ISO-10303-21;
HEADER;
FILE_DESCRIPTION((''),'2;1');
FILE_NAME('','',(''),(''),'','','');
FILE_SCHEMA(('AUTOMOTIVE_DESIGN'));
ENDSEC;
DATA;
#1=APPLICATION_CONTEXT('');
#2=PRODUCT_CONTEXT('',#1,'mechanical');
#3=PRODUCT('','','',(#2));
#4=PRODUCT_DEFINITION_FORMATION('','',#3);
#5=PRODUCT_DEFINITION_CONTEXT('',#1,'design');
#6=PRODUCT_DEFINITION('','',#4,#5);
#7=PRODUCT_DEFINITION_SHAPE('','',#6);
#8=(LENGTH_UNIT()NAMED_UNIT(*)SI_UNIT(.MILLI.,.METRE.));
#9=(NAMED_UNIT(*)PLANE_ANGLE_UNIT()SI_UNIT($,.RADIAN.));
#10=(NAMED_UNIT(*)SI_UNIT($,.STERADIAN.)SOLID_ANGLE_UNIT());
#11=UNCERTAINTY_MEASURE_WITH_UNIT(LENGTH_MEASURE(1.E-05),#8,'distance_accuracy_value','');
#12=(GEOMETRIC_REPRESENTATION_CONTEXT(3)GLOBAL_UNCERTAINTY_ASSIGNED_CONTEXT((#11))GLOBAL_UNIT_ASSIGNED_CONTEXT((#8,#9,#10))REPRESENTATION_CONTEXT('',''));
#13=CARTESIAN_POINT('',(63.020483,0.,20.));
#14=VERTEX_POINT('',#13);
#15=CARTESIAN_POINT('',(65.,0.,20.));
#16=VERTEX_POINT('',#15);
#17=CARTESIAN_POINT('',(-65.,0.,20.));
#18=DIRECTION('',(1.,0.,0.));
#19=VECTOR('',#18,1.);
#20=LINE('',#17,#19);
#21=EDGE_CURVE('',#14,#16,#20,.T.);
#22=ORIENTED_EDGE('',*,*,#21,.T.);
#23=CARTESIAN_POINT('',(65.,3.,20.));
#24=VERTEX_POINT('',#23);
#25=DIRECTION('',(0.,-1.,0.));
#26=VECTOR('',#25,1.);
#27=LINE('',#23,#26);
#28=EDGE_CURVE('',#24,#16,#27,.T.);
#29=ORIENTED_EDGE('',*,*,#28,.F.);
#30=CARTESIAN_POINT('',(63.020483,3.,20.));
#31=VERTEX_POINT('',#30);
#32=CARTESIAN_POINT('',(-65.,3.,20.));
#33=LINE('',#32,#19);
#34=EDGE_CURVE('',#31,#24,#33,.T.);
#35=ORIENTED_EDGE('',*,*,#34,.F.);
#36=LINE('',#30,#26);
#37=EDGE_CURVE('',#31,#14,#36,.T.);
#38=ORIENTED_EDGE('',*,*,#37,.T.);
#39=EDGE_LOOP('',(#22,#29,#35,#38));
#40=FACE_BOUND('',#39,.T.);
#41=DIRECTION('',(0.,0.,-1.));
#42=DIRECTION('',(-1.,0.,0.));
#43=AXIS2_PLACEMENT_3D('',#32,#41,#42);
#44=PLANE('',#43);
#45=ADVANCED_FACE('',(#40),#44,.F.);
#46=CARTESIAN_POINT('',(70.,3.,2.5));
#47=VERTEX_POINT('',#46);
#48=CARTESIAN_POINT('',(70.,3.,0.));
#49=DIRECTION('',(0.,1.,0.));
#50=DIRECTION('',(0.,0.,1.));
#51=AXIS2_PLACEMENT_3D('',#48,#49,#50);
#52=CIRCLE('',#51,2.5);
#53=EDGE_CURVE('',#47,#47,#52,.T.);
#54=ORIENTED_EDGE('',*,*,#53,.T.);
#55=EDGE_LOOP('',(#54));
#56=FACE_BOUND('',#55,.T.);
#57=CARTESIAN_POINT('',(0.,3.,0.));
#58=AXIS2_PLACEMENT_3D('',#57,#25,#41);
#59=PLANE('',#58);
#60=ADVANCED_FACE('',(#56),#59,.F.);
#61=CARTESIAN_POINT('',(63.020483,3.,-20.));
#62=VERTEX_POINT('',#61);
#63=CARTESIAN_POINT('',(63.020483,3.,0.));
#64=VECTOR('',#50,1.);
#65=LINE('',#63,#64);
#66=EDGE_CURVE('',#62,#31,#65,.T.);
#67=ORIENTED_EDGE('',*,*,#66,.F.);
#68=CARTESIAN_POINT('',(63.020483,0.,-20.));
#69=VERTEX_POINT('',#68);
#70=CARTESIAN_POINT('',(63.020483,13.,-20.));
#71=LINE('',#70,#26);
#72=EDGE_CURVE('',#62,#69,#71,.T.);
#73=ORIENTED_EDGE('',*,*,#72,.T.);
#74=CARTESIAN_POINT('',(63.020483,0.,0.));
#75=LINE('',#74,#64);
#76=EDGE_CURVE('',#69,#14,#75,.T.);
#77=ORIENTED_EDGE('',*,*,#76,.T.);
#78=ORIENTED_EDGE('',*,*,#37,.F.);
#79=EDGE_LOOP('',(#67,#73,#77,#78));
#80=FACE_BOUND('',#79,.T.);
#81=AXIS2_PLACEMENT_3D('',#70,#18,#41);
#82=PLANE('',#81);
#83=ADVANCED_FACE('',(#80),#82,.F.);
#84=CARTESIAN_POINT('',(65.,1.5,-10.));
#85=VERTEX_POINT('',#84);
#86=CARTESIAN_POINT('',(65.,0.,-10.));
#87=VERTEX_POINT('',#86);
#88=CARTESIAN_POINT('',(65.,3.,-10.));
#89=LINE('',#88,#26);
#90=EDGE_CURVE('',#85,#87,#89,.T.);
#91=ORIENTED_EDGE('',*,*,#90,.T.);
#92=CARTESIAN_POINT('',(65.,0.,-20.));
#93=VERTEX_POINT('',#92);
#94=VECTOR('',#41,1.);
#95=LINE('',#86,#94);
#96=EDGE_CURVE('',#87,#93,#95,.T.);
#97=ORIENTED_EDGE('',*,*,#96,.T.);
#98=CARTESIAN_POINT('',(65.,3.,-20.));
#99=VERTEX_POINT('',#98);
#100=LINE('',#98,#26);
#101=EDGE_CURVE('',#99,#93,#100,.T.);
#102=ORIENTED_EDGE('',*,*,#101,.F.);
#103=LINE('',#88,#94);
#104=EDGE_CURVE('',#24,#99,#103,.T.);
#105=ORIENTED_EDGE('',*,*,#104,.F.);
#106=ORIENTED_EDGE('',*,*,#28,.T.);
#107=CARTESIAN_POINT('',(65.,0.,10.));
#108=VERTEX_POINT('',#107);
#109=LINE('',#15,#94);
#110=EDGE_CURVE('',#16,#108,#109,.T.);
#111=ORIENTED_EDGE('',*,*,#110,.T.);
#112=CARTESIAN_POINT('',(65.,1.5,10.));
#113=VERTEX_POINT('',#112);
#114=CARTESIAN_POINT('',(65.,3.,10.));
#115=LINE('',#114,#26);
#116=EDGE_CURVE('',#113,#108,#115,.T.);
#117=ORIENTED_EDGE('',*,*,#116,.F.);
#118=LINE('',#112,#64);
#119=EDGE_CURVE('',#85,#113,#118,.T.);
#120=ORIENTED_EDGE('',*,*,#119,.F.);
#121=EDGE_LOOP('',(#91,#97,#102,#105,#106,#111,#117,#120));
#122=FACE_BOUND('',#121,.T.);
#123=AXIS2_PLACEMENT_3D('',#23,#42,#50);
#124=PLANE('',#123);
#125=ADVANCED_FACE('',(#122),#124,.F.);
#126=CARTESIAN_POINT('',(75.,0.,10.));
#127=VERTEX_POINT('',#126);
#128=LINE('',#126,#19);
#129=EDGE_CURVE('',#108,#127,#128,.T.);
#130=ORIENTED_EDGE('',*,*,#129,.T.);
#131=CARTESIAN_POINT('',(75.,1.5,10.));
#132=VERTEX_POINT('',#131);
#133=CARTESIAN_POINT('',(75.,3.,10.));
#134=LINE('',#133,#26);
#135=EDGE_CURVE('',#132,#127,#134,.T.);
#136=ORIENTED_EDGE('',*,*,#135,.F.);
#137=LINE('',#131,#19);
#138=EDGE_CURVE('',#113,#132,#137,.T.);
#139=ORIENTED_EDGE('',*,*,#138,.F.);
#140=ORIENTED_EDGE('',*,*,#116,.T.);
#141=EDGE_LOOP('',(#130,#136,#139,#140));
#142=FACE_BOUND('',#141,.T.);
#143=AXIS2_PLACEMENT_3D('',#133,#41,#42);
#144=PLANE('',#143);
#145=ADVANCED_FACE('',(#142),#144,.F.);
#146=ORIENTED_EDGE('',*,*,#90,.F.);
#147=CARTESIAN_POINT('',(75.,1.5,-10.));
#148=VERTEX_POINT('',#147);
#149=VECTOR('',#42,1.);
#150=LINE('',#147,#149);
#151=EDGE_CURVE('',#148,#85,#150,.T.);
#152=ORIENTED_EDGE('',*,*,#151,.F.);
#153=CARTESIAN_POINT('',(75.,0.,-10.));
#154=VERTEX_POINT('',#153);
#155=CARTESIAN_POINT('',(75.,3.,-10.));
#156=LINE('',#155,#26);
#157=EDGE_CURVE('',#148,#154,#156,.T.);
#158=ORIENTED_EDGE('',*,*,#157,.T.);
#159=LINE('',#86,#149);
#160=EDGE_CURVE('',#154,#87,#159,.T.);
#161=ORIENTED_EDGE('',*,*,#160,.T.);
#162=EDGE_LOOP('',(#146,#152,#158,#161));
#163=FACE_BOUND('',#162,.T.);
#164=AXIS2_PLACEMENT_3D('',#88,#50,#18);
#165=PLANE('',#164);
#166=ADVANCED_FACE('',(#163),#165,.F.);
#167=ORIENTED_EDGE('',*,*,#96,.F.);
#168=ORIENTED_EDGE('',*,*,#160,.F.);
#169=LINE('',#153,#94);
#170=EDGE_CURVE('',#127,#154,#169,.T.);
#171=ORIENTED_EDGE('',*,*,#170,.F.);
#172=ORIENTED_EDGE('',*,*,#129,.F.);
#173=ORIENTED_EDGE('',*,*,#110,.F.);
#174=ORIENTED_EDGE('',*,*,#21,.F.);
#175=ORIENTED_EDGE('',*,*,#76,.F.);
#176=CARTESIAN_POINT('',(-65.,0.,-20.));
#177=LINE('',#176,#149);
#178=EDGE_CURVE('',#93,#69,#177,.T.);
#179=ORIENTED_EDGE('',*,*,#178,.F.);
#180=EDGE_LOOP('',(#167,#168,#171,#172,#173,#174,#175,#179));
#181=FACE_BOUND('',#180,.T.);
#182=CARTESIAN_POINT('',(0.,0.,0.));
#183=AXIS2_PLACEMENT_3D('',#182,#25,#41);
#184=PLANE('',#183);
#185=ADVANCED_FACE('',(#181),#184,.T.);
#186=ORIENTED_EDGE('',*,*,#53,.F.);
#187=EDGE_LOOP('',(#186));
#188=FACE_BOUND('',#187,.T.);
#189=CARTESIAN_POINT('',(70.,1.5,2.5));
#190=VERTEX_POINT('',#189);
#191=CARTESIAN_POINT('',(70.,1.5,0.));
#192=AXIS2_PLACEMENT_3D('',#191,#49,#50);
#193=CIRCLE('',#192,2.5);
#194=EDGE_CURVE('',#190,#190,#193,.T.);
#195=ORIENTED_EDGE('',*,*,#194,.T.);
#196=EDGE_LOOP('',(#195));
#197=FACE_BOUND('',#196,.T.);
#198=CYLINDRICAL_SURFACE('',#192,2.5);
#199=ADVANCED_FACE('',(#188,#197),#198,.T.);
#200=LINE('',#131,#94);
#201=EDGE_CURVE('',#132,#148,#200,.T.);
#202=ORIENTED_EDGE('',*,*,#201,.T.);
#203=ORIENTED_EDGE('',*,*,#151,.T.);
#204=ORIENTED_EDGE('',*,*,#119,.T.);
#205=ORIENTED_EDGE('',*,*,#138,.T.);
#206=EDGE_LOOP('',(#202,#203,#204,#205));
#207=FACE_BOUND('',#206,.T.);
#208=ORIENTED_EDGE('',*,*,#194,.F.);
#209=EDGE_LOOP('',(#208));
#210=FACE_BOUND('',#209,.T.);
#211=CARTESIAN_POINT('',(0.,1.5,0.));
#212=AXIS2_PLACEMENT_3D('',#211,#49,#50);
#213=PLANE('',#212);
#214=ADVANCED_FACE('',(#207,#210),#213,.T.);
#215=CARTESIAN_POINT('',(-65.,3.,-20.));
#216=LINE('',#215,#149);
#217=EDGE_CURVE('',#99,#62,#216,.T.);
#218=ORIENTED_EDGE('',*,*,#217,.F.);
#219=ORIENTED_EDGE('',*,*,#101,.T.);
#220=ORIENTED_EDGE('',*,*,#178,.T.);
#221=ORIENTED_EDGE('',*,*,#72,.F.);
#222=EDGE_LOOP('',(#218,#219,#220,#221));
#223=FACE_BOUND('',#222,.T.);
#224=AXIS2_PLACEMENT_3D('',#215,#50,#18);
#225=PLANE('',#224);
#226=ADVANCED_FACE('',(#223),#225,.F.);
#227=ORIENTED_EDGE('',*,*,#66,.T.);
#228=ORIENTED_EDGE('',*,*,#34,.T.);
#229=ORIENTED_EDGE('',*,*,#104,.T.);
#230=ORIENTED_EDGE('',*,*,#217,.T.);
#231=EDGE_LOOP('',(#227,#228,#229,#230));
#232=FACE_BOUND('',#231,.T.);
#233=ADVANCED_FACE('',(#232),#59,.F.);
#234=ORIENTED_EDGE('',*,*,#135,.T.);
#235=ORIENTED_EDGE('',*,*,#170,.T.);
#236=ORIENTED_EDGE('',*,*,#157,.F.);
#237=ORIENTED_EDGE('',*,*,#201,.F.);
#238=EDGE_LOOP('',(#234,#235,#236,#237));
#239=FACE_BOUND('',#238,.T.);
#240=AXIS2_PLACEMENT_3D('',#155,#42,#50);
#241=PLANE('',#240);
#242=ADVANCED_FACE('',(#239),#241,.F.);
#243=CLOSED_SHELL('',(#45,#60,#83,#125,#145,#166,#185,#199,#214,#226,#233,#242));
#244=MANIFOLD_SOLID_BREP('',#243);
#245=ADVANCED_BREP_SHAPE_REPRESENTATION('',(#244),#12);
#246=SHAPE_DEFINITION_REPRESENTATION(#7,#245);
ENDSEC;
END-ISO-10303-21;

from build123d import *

# Parameters (mm, degrees)
CROQUIS1_R                 = 11
CROQUIS1_R_2               = 2
CROQUIS1_W                 = 30
CROQUIS1_H                 = 3
SALIENTE_EXTRUIR1_DEPTH    = 3
CROQUIS2_R                 = 13
CROQUIS2_R_2               = 11
SALIENTE_EXTRUIR2_DEPTH    = 4
CROQUIS3_R                 = 13
CROQUIS3_R_2               = 9
SALIENTE_EXTRUIR3_DEPTH    = 2
CHAFL_N1_SIZE              = 2
CHAFL_N2_SIZE              = 10
CROQUIS6_W                 = 10
CROQUIS6_H                 = 20
CROQUIS6_R                 = 2.5
CORTAR_EXTRUIR2_DEPTH      = 1.5
CORTAR_EXTRUIR3_DEPTH      = 10
CORTAR_EXTRUIR3_DEPTH_BACK = 10
CROQUIS7_OUTSIDE_W         = 171.176
CROQUIS7_OUTSIDE_H         = 71.176
CROQUIS7_OUTSIDE_W_2       = 13.478659513
CROQUIS7_OUTSIDE_H_2       = 41.596343219


with BuildPart() as part:
    # Croquis1 → Saliente-Extruir1 (new body)
    with BuildSketch(Plane(origin=(0, 0, 0), x_dir=(1, 0, 0), z_dir=(0, 1, 0))):
        Polygon((-65, -20), (65, -20), (65, -10), (75, -10), (75, 10), (65, 10), (65, 20), (-65, 20), align=None)
        with Locations((-50.129942902, 0)):
            Circle(CROQUIS1_R, mode=Mode.SUBTRACT)
        with Locations((-28.595127909, 0)):
            Circle(CROQUIS1_R_2, mode=Mode.SUBTRACT)
        with Locations((-13.595127909, 0)):
            Circle(CROQUIS1_R_2, mode=Mode.SUBTRACT)
        with Locations((50, 0)):
            Circle(CROQUIS1_R_2, mode=Mode.SUBTRACT)
        with Locations((25, 11)):
            Rectangle(CROQUIS1_W, CROQUIS1_H, mode=Mode.SUBTRACT)
        with Locations((25, -11)):
            Rectangle(CROQUIS1_W, CROQUIS1_H, mode=Mode.SUBTRACT)
    extrude(amount=SALIENTE_EXTRUIR1_DEPTH)

    # Croquis2 → Saliente-Extruir2 (add)
    with BuildSketch(Plane(origin=(0, 3, 0), x_dir=(1, 0, 0), z_dir=(0, 1, 0))):
        with Locations((-50.129942902, 0)):
            Circle(CROQUIS2_R)
        with Locations((-50.129942902, 0)):
            Circle(CROQUIS2_R_2, mode=Mode.SUBTRACT)
    extrude(amount=SALIENTE_EXTRUIR2_DEPTH)

    # Croquis3 → Saliente-Extruir3 (add)
    with BuildSketch(Plane(origin=(0, 7, 0), x_dir=(1, 0, 0), z_dir=(0, 1, 0))):
        with Locations((-50.129942902, 0)):
            Circle(CROQUIS3_R)
        with Locations((-50.129942902, 0)):
            Circle(CROQUIS3_R_2, mode=Mode.SUBTRACT)
    extrude(amount=SALIENTE_EXTRUIR3_DEPTH)

    # Chaflán1
    chafl_n1_edges = [part.edges().sort_by_distance(p)[0] for p in [
        (-63.129942902, 9, 0),
    ]]
    chamfer(chafl_n1_edges, length=CHAFL_N1_SIZE)

    # Chaflán2
    chafl_n2_edges = [part.edges().sort_by_distance(p)[0] for p in [
        (-65, 1.5, 20),
        (-65, 1.5, -20),
    ]]
    chamfer(chafl_n2_edges, length=CHAFL_N2_SIZE)

    # Croquis6 → Cortar-Extruir2 (cut)
    with BuildSketch(Plane(origin=(0, 3, 0), x_dir=(1, 0, 0), z_dir=(0, 1, 0))):
        with Locations((70, 0)):
            Rectangle(CROQUIS6_W, CROQUIS6_H)
        with Locations((70, 0)):
            Circle(CROQUIS6_R, mode=Mode.SUBTRACT)
    extrude(amount=-CORTAR_EXTRUIR2_DEPTH, mode=Mode.SUBTRACT)

    # Croquis7 outside → Cortar-Extruir3 (cut, two sides: drawn at the far end of the back side and taken through both)
    with BuildSketch(Plane(origin=(0, 3, 0), x_dir=(1, 0, 0), z_dir=(0, 1, 0)).offset(-CORTAR_EXTRUIR3_DEPTH_BACK)):
        with Locations((5, 0)):
            Rectangle(CROQUIS7_OUTSIDE_W, CROQUIS7_OUTSIDE_H)
        with Locations((69.759812965, -0.79817161)):
            Rectangle(CROQUIS7_OUTSIDE_W_2, CROQUIS7_OUTSIDE_H_2, mode=Mode.SUBTRACT)
    extrude(amount=CORTAR_EXTRUIR3_DEPTH + CORTAR_EXTRUIR3_DEPTH_BACK, mode=Mode.SUBTRACT)


solid = part.part
